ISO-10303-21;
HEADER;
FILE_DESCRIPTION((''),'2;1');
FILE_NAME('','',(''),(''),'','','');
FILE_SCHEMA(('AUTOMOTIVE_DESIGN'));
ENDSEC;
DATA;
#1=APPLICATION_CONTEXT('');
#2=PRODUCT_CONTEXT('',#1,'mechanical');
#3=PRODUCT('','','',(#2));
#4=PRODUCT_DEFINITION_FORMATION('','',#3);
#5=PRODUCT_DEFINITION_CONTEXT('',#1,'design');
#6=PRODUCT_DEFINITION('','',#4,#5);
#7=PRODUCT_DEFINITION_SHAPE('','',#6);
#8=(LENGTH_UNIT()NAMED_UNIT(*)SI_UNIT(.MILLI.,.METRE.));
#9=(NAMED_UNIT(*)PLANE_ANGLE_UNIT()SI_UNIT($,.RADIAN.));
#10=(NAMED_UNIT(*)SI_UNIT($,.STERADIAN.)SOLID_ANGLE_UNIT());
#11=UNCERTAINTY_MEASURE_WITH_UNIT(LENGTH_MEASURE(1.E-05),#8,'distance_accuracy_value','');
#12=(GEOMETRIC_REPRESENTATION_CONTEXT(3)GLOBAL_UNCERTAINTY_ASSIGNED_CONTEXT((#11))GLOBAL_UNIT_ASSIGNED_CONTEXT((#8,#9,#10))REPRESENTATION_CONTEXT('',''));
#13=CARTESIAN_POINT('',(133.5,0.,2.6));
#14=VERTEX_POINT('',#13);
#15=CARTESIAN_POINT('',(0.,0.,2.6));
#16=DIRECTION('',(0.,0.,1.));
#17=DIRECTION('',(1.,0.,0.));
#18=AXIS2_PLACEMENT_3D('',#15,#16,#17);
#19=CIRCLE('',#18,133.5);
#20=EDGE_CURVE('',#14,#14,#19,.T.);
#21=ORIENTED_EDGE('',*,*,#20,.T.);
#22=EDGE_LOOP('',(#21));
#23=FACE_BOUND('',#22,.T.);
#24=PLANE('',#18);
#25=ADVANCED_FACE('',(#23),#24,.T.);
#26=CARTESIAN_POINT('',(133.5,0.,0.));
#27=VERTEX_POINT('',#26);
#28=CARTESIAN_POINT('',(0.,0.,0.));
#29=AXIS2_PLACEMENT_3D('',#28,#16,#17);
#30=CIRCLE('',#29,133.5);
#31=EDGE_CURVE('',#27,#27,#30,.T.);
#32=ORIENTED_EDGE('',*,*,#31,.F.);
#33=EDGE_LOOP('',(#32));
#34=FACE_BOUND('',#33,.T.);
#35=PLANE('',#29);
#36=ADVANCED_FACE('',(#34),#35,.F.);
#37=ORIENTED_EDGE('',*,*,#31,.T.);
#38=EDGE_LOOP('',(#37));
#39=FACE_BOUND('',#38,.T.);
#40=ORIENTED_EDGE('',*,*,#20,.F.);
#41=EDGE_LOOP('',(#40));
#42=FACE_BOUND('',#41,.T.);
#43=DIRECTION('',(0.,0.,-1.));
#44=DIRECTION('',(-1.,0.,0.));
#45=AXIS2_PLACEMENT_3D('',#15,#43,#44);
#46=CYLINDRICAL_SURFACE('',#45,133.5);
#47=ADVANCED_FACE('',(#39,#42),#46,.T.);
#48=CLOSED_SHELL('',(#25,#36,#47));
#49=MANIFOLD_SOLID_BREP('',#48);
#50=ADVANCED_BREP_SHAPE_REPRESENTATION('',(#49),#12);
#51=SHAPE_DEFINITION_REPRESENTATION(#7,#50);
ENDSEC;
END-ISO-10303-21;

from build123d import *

# Parameters (mm, degrees)
SKETCH2_R           = 133.5
BOSS_EXTRUDE1_DEPTH = 2.6


with BuildPart() as part:
    # Sketch2 → Boss-Extrude1 (new body)
    with BuildSketch(Plane.XY):
        Circle(SKETCH2_R)
    extrude(amount=BOSS_EXTRUDE1_DEPTH)


solid = part.part
